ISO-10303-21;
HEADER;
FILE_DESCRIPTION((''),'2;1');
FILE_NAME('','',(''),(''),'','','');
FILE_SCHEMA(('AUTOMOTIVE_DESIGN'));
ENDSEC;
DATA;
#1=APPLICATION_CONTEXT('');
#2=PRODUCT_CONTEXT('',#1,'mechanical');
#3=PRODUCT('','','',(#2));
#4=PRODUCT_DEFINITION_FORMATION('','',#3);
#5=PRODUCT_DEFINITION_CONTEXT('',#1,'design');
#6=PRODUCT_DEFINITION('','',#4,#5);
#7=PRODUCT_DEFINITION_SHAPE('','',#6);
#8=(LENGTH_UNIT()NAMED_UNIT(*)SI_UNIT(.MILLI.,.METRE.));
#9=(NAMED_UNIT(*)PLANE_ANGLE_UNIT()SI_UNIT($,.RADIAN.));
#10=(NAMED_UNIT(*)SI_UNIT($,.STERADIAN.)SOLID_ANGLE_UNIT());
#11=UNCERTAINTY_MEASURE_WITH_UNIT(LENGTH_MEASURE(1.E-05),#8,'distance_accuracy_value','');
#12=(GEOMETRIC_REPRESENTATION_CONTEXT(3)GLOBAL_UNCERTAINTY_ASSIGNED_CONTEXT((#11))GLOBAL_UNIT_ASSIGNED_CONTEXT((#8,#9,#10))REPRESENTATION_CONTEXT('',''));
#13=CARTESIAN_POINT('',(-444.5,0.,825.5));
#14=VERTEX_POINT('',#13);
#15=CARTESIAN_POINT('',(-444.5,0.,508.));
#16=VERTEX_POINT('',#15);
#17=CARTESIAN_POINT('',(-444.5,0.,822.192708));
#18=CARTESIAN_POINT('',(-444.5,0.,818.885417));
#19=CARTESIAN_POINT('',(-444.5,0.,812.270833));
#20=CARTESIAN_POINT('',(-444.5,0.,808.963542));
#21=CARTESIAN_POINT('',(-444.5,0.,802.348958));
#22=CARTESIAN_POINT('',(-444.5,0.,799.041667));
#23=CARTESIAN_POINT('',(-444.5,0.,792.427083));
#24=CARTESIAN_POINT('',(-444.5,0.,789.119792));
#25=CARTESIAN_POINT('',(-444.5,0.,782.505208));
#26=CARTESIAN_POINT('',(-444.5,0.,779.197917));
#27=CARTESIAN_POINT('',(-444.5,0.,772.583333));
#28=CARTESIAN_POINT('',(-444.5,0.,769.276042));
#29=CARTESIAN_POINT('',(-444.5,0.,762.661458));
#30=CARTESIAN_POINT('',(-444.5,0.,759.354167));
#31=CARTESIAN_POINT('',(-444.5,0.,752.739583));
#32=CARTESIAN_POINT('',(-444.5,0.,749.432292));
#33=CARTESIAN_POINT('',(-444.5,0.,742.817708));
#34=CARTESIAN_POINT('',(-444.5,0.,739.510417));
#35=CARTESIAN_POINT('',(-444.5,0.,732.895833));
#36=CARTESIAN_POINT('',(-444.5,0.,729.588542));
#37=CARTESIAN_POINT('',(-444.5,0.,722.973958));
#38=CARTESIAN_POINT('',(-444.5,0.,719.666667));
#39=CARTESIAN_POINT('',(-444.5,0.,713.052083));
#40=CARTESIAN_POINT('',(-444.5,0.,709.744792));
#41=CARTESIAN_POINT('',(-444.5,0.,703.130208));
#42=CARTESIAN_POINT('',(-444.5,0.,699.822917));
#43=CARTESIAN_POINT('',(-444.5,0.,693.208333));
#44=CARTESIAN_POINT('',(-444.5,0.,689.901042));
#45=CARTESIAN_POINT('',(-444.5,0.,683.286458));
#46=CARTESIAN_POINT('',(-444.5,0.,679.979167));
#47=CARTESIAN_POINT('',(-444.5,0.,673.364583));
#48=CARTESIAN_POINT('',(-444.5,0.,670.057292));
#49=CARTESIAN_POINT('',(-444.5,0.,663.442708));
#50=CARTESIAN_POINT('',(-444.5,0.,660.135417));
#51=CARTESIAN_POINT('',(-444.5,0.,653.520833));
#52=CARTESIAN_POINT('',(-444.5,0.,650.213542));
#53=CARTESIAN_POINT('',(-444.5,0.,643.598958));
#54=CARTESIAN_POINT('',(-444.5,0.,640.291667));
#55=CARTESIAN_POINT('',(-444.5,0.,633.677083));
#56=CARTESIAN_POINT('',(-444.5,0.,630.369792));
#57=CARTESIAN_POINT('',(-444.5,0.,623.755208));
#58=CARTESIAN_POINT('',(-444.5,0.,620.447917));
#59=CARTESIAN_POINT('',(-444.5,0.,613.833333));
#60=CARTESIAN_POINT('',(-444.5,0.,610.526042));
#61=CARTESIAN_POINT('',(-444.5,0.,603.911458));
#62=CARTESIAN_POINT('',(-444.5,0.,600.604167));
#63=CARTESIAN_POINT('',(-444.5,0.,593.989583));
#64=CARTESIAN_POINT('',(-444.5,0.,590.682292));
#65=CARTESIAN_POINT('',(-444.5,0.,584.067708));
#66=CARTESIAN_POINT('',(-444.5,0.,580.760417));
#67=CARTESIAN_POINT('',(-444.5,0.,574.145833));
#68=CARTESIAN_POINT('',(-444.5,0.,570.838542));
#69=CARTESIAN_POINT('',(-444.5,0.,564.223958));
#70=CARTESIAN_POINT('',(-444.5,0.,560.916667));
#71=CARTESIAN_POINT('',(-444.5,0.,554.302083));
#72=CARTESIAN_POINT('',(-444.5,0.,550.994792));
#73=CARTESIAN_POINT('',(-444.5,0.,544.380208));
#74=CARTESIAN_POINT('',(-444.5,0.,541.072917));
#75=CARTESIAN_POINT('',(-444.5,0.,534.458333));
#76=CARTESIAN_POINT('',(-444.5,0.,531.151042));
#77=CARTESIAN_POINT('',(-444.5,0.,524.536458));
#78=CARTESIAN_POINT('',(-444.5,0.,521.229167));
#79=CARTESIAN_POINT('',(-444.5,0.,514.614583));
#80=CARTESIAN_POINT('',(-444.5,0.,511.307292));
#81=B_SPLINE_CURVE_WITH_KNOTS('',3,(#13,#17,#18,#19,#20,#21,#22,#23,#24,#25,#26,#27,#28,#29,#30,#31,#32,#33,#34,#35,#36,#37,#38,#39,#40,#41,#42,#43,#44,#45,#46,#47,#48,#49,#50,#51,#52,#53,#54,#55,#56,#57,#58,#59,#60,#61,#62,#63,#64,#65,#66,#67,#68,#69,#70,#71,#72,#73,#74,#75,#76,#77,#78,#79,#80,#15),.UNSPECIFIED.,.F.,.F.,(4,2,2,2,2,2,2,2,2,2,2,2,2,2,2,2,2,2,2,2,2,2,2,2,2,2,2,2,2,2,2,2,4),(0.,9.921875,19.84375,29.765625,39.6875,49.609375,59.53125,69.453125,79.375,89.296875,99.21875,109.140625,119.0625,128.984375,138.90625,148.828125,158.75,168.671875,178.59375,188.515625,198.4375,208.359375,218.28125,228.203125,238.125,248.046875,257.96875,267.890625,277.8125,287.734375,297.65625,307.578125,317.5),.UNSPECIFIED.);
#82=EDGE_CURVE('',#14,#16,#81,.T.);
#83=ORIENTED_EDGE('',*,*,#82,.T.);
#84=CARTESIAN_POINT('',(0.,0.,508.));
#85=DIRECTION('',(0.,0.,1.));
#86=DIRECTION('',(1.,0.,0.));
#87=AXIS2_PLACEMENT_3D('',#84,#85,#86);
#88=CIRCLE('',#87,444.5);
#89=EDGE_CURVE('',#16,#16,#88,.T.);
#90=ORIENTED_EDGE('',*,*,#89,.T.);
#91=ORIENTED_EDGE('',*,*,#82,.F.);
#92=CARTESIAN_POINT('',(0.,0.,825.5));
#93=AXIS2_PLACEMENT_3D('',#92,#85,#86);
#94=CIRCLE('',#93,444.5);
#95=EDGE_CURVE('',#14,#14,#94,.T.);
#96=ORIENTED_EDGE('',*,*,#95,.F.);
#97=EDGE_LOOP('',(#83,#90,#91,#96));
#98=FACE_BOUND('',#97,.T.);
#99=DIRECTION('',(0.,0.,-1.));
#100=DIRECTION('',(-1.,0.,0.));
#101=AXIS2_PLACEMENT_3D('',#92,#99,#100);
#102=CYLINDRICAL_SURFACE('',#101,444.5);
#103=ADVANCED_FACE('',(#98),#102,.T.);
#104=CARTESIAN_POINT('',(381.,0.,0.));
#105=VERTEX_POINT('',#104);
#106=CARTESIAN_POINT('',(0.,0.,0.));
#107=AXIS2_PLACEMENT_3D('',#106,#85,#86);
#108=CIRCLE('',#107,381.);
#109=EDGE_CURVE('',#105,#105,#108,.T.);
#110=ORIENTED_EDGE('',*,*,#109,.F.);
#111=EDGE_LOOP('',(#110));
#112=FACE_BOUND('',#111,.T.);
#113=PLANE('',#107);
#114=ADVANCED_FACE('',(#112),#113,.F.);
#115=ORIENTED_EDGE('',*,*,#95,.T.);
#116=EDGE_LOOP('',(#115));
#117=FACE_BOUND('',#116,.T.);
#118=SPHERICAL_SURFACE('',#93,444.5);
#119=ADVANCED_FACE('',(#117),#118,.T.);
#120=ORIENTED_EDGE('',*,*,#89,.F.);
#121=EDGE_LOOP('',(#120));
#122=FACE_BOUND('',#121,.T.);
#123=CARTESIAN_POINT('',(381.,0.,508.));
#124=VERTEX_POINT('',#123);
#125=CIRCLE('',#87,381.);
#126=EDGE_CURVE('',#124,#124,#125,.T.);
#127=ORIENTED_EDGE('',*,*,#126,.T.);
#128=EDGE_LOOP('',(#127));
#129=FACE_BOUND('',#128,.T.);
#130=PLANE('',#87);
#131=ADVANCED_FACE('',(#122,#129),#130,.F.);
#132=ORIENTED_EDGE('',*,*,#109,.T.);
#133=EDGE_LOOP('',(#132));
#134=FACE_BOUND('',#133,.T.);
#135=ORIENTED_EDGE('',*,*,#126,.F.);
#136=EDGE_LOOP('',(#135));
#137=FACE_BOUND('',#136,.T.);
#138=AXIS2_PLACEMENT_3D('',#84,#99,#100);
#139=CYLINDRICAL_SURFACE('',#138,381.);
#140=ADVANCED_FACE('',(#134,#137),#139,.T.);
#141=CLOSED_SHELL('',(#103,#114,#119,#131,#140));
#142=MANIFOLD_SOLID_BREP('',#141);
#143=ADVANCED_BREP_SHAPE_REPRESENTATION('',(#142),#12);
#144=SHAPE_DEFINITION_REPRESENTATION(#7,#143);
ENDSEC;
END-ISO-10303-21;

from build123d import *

# Parameters (mm, degrees)
SKETCH7_R           = 381
BOSS_EXTRUDE3_DEPTH = 508
SKETCH8_R           = 444.5
BOSS_EXTRUDE4_DEPTH = 317.5


with BuildPart() as part:
    # Sketch7 → Boss-Extrude3 (new body)
    with BuildSketch(Plane.XY):
        Circle(SKETCH7_R)
    extrude(amount=BOSS_EXTRUDE3_DEPTH)

    # Sketch8 → Boss-Extrude4 (add)
    with BuildSketch(Plane.XY.offset(508)):
        with Locations(Location((0, 0, 0), (0, 0, 180))):
            Circle(SKETCH8_R)
    extrude(amount=BOSS_EXTRUDE4_DEPTH)

    # Sketch9 → Revolve1 (revolve)
    with BuildSketch(Plane.XY.offset(825.5)):
        with BuildLine():
            Line((0, 444.5), (0, -444.5))
            ThreePointArc((0, -444.5), (-444.5, 0), (0, 444.5))
        make_face()
    revolve(axis=Axis((0, 444.5, 825.5), (0, -1, 0)))


solid = part.part
